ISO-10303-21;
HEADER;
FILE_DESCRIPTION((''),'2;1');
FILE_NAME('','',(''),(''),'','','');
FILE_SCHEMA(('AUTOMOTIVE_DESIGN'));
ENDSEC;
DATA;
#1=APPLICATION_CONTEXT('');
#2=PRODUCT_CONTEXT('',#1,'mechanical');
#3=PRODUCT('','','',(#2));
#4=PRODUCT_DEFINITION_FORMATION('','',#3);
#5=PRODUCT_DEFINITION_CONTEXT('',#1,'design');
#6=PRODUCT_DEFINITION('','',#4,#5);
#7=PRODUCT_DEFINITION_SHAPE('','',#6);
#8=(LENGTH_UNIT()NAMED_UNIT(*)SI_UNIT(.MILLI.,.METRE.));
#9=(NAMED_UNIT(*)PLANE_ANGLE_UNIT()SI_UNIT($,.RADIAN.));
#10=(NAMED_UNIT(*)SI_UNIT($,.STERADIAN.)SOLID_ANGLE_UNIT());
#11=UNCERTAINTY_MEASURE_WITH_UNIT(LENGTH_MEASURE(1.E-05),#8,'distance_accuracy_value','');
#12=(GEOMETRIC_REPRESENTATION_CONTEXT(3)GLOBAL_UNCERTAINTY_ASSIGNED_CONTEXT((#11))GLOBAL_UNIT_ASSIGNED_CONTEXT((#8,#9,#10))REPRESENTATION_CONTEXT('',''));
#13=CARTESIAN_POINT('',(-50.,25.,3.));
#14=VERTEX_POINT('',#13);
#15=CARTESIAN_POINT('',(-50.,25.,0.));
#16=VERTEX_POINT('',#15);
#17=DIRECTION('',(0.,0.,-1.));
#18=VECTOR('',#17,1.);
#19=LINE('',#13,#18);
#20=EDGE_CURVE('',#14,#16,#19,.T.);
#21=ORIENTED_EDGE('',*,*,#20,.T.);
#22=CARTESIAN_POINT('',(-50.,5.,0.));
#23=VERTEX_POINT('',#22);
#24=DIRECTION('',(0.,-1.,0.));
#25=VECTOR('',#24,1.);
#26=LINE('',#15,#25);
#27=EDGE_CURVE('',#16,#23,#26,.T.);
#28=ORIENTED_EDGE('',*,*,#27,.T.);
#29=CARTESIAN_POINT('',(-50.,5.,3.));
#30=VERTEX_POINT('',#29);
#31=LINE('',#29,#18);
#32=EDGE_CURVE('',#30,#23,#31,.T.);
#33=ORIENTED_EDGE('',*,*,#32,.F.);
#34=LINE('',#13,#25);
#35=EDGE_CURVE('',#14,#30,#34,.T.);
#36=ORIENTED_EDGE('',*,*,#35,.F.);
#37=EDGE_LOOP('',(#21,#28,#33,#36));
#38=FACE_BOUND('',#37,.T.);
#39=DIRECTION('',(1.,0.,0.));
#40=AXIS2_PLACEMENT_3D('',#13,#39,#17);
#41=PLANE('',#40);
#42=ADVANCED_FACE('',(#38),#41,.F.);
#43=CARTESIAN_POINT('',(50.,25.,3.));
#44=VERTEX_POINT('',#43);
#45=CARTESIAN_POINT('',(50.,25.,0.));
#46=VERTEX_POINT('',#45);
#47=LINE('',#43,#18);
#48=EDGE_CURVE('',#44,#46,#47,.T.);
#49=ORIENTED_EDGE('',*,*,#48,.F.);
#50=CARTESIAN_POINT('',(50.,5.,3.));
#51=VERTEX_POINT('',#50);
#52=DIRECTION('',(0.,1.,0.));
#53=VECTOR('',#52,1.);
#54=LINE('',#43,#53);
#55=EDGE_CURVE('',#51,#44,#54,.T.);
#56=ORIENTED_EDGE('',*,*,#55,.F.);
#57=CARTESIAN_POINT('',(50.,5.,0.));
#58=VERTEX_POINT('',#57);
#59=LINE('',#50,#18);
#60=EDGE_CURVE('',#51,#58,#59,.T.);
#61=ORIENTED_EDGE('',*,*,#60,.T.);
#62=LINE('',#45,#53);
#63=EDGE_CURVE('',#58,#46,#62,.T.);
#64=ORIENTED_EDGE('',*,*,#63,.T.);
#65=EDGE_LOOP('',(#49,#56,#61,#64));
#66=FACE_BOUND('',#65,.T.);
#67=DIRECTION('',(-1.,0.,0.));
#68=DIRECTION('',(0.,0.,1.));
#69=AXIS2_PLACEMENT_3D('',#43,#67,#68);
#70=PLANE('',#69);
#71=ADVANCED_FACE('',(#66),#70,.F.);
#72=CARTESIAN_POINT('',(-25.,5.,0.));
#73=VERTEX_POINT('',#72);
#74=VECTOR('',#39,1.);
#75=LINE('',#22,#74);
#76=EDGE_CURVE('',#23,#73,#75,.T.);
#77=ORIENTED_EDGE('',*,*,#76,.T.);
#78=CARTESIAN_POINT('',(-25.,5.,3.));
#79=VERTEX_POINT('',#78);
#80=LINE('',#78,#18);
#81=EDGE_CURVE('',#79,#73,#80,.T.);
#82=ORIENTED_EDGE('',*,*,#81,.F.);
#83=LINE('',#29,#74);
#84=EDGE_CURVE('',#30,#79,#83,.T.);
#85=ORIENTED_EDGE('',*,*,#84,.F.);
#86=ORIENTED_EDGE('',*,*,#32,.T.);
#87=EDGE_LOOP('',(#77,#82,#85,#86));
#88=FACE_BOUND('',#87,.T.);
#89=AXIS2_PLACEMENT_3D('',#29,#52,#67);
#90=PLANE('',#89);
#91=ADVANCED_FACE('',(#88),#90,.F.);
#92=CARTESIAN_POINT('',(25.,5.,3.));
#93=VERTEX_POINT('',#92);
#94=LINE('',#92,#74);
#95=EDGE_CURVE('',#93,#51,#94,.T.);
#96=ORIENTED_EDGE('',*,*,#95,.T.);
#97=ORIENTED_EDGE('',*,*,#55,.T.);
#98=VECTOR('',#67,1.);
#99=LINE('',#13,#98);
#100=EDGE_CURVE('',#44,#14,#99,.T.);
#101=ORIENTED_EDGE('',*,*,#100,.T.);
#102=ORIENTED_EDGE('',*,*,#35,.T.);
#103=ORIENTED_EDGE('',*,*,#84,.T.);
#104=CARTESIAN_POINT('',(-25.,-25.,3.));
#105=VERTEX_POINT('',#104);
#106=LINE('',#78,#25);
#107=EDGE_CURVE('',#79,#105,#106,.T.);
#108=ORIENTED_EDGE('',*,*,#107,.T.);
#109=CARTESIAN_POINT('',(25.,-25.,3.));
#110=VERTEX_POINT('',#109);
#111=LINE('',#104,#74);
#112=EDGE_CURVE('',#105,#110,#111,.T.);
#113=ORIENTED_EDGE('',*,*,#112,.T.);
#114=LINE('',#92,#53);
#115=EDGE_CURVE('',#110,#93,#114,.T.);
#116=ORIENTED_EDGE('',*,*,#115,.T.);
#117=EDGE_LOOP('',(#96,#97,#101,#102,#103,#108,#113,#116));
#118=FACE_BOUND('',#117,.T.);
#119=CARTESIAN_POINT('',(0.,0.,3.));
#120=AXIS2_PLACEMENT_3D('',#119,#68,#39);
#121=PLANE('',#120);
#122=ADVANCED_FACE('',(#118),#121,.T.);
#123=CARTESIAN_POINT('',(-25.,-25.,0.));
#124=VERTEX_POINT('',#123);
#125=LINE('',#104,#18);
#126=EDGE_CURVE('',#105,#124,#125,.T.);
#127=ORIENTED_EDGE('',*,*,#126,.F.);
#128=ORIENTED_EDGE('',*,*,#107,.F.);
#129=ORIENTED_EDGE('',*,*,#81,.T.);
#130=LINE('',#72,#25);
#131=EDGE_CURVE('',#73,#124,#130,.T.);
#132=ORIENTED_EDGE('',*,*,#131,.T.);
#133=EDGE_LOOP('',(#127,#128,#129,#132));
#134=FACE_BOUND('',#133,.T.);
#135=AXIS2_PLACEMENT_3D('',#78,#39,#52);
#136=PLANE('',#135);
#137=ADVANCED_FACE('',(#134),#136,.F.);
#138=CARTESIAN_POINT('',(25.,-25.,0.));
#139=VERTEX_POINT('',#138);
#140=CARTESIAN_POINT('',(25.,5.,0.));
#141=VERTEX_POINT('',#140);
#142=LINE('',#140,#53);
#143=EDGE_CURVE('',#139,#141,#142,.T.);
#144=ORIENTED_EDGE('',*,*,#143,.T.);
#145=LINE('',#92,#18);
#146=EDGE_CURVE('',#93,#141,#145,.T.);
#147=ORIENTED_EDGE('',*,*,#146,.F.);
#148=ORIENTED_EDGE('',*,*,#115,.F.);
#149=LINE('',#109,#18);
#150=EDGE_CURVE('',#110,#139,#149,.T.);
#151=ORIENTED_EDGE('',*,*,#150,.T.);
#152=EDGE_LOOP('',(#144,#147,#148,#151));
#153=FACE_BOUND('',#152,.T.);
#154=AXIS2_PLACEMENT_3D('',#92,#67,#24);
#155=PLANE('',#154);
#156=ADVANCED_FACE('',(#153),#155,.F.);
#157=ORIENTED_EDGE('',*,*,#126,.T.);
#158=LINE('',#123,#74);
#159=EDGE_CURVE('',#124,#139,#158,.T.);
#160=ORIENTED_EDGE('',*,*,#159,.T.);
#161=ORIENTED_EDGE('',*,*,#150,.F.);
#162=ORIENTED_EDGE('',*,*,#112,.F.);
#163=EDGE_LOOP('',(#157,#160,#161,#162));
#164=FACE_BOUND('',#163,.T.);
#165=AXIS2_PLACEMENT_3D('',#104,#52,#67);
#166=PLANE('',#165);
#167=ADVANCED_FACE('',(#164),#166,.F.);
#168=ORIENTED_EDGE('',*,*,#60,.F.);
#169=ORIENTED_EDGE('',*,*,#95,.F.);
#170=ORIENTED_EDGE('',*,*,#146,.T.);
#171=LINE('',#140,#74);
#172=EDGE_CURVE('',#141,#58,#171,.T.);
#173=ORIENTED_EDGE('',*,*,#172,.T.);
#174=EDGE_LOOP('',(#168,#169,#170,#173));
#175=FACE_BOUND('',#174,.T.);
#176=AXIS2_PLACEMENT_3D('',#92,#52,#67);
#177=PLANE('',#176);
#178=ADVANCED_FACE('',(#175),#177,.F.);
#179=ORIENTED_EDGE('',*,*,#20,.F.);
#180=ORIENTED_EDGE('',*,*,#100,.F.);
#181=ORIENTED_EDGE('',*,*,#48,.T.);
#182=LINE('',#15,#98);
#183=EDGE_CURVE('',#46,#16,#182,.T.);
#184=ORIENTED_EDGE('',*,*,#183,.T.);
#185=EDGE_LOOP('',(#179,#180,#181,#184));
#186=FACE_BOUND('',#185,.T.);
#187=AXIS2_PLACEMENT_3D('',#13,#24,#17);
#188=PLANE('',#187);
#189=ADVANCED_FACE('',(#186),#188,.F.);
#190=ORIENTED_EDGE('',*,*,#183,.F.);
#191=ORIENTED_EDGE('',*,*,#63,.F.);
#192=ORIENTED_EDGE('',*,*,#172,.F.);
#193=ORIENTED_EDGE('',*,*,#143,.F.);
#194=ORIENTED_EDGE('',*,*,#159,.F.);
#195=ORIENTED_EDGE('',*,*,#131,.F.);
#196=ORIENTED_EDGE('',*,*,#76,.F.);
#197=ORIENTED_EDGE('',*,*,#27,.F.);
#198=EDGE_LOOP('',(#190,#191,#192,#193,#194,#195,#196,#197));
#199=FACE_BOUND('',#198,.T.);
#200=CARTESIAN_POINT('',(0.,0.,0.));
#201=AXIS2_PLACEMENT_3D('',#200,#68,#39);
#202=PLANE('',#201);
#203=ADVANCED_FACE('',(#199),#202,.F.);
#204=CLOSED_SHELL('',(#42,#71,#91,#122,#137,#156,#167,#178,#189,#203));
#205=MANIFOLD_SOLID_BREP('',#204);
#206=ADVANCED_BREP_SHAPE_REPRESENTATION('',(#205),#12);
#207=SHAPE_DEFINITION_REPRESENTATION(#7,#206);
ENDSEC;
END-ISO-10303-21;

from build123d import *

# Parameters (mm, degrees)
BOSS_EXTRUDE1_DEPTH = 3


with BuildPart() as part:
    # Sketch2 → Boss-Extrude1 (new body)
    with BuildSketch(Plane.XY):
        Polygon((-50, 25), (50, 25), (50, 5), (25, 5), (25, -25), (-25, -25), (-25, 5), (-50, 5), align=None)
    extrude(amount=BOSS_EXTRUDE1_DEPTH)


solid = part.part
